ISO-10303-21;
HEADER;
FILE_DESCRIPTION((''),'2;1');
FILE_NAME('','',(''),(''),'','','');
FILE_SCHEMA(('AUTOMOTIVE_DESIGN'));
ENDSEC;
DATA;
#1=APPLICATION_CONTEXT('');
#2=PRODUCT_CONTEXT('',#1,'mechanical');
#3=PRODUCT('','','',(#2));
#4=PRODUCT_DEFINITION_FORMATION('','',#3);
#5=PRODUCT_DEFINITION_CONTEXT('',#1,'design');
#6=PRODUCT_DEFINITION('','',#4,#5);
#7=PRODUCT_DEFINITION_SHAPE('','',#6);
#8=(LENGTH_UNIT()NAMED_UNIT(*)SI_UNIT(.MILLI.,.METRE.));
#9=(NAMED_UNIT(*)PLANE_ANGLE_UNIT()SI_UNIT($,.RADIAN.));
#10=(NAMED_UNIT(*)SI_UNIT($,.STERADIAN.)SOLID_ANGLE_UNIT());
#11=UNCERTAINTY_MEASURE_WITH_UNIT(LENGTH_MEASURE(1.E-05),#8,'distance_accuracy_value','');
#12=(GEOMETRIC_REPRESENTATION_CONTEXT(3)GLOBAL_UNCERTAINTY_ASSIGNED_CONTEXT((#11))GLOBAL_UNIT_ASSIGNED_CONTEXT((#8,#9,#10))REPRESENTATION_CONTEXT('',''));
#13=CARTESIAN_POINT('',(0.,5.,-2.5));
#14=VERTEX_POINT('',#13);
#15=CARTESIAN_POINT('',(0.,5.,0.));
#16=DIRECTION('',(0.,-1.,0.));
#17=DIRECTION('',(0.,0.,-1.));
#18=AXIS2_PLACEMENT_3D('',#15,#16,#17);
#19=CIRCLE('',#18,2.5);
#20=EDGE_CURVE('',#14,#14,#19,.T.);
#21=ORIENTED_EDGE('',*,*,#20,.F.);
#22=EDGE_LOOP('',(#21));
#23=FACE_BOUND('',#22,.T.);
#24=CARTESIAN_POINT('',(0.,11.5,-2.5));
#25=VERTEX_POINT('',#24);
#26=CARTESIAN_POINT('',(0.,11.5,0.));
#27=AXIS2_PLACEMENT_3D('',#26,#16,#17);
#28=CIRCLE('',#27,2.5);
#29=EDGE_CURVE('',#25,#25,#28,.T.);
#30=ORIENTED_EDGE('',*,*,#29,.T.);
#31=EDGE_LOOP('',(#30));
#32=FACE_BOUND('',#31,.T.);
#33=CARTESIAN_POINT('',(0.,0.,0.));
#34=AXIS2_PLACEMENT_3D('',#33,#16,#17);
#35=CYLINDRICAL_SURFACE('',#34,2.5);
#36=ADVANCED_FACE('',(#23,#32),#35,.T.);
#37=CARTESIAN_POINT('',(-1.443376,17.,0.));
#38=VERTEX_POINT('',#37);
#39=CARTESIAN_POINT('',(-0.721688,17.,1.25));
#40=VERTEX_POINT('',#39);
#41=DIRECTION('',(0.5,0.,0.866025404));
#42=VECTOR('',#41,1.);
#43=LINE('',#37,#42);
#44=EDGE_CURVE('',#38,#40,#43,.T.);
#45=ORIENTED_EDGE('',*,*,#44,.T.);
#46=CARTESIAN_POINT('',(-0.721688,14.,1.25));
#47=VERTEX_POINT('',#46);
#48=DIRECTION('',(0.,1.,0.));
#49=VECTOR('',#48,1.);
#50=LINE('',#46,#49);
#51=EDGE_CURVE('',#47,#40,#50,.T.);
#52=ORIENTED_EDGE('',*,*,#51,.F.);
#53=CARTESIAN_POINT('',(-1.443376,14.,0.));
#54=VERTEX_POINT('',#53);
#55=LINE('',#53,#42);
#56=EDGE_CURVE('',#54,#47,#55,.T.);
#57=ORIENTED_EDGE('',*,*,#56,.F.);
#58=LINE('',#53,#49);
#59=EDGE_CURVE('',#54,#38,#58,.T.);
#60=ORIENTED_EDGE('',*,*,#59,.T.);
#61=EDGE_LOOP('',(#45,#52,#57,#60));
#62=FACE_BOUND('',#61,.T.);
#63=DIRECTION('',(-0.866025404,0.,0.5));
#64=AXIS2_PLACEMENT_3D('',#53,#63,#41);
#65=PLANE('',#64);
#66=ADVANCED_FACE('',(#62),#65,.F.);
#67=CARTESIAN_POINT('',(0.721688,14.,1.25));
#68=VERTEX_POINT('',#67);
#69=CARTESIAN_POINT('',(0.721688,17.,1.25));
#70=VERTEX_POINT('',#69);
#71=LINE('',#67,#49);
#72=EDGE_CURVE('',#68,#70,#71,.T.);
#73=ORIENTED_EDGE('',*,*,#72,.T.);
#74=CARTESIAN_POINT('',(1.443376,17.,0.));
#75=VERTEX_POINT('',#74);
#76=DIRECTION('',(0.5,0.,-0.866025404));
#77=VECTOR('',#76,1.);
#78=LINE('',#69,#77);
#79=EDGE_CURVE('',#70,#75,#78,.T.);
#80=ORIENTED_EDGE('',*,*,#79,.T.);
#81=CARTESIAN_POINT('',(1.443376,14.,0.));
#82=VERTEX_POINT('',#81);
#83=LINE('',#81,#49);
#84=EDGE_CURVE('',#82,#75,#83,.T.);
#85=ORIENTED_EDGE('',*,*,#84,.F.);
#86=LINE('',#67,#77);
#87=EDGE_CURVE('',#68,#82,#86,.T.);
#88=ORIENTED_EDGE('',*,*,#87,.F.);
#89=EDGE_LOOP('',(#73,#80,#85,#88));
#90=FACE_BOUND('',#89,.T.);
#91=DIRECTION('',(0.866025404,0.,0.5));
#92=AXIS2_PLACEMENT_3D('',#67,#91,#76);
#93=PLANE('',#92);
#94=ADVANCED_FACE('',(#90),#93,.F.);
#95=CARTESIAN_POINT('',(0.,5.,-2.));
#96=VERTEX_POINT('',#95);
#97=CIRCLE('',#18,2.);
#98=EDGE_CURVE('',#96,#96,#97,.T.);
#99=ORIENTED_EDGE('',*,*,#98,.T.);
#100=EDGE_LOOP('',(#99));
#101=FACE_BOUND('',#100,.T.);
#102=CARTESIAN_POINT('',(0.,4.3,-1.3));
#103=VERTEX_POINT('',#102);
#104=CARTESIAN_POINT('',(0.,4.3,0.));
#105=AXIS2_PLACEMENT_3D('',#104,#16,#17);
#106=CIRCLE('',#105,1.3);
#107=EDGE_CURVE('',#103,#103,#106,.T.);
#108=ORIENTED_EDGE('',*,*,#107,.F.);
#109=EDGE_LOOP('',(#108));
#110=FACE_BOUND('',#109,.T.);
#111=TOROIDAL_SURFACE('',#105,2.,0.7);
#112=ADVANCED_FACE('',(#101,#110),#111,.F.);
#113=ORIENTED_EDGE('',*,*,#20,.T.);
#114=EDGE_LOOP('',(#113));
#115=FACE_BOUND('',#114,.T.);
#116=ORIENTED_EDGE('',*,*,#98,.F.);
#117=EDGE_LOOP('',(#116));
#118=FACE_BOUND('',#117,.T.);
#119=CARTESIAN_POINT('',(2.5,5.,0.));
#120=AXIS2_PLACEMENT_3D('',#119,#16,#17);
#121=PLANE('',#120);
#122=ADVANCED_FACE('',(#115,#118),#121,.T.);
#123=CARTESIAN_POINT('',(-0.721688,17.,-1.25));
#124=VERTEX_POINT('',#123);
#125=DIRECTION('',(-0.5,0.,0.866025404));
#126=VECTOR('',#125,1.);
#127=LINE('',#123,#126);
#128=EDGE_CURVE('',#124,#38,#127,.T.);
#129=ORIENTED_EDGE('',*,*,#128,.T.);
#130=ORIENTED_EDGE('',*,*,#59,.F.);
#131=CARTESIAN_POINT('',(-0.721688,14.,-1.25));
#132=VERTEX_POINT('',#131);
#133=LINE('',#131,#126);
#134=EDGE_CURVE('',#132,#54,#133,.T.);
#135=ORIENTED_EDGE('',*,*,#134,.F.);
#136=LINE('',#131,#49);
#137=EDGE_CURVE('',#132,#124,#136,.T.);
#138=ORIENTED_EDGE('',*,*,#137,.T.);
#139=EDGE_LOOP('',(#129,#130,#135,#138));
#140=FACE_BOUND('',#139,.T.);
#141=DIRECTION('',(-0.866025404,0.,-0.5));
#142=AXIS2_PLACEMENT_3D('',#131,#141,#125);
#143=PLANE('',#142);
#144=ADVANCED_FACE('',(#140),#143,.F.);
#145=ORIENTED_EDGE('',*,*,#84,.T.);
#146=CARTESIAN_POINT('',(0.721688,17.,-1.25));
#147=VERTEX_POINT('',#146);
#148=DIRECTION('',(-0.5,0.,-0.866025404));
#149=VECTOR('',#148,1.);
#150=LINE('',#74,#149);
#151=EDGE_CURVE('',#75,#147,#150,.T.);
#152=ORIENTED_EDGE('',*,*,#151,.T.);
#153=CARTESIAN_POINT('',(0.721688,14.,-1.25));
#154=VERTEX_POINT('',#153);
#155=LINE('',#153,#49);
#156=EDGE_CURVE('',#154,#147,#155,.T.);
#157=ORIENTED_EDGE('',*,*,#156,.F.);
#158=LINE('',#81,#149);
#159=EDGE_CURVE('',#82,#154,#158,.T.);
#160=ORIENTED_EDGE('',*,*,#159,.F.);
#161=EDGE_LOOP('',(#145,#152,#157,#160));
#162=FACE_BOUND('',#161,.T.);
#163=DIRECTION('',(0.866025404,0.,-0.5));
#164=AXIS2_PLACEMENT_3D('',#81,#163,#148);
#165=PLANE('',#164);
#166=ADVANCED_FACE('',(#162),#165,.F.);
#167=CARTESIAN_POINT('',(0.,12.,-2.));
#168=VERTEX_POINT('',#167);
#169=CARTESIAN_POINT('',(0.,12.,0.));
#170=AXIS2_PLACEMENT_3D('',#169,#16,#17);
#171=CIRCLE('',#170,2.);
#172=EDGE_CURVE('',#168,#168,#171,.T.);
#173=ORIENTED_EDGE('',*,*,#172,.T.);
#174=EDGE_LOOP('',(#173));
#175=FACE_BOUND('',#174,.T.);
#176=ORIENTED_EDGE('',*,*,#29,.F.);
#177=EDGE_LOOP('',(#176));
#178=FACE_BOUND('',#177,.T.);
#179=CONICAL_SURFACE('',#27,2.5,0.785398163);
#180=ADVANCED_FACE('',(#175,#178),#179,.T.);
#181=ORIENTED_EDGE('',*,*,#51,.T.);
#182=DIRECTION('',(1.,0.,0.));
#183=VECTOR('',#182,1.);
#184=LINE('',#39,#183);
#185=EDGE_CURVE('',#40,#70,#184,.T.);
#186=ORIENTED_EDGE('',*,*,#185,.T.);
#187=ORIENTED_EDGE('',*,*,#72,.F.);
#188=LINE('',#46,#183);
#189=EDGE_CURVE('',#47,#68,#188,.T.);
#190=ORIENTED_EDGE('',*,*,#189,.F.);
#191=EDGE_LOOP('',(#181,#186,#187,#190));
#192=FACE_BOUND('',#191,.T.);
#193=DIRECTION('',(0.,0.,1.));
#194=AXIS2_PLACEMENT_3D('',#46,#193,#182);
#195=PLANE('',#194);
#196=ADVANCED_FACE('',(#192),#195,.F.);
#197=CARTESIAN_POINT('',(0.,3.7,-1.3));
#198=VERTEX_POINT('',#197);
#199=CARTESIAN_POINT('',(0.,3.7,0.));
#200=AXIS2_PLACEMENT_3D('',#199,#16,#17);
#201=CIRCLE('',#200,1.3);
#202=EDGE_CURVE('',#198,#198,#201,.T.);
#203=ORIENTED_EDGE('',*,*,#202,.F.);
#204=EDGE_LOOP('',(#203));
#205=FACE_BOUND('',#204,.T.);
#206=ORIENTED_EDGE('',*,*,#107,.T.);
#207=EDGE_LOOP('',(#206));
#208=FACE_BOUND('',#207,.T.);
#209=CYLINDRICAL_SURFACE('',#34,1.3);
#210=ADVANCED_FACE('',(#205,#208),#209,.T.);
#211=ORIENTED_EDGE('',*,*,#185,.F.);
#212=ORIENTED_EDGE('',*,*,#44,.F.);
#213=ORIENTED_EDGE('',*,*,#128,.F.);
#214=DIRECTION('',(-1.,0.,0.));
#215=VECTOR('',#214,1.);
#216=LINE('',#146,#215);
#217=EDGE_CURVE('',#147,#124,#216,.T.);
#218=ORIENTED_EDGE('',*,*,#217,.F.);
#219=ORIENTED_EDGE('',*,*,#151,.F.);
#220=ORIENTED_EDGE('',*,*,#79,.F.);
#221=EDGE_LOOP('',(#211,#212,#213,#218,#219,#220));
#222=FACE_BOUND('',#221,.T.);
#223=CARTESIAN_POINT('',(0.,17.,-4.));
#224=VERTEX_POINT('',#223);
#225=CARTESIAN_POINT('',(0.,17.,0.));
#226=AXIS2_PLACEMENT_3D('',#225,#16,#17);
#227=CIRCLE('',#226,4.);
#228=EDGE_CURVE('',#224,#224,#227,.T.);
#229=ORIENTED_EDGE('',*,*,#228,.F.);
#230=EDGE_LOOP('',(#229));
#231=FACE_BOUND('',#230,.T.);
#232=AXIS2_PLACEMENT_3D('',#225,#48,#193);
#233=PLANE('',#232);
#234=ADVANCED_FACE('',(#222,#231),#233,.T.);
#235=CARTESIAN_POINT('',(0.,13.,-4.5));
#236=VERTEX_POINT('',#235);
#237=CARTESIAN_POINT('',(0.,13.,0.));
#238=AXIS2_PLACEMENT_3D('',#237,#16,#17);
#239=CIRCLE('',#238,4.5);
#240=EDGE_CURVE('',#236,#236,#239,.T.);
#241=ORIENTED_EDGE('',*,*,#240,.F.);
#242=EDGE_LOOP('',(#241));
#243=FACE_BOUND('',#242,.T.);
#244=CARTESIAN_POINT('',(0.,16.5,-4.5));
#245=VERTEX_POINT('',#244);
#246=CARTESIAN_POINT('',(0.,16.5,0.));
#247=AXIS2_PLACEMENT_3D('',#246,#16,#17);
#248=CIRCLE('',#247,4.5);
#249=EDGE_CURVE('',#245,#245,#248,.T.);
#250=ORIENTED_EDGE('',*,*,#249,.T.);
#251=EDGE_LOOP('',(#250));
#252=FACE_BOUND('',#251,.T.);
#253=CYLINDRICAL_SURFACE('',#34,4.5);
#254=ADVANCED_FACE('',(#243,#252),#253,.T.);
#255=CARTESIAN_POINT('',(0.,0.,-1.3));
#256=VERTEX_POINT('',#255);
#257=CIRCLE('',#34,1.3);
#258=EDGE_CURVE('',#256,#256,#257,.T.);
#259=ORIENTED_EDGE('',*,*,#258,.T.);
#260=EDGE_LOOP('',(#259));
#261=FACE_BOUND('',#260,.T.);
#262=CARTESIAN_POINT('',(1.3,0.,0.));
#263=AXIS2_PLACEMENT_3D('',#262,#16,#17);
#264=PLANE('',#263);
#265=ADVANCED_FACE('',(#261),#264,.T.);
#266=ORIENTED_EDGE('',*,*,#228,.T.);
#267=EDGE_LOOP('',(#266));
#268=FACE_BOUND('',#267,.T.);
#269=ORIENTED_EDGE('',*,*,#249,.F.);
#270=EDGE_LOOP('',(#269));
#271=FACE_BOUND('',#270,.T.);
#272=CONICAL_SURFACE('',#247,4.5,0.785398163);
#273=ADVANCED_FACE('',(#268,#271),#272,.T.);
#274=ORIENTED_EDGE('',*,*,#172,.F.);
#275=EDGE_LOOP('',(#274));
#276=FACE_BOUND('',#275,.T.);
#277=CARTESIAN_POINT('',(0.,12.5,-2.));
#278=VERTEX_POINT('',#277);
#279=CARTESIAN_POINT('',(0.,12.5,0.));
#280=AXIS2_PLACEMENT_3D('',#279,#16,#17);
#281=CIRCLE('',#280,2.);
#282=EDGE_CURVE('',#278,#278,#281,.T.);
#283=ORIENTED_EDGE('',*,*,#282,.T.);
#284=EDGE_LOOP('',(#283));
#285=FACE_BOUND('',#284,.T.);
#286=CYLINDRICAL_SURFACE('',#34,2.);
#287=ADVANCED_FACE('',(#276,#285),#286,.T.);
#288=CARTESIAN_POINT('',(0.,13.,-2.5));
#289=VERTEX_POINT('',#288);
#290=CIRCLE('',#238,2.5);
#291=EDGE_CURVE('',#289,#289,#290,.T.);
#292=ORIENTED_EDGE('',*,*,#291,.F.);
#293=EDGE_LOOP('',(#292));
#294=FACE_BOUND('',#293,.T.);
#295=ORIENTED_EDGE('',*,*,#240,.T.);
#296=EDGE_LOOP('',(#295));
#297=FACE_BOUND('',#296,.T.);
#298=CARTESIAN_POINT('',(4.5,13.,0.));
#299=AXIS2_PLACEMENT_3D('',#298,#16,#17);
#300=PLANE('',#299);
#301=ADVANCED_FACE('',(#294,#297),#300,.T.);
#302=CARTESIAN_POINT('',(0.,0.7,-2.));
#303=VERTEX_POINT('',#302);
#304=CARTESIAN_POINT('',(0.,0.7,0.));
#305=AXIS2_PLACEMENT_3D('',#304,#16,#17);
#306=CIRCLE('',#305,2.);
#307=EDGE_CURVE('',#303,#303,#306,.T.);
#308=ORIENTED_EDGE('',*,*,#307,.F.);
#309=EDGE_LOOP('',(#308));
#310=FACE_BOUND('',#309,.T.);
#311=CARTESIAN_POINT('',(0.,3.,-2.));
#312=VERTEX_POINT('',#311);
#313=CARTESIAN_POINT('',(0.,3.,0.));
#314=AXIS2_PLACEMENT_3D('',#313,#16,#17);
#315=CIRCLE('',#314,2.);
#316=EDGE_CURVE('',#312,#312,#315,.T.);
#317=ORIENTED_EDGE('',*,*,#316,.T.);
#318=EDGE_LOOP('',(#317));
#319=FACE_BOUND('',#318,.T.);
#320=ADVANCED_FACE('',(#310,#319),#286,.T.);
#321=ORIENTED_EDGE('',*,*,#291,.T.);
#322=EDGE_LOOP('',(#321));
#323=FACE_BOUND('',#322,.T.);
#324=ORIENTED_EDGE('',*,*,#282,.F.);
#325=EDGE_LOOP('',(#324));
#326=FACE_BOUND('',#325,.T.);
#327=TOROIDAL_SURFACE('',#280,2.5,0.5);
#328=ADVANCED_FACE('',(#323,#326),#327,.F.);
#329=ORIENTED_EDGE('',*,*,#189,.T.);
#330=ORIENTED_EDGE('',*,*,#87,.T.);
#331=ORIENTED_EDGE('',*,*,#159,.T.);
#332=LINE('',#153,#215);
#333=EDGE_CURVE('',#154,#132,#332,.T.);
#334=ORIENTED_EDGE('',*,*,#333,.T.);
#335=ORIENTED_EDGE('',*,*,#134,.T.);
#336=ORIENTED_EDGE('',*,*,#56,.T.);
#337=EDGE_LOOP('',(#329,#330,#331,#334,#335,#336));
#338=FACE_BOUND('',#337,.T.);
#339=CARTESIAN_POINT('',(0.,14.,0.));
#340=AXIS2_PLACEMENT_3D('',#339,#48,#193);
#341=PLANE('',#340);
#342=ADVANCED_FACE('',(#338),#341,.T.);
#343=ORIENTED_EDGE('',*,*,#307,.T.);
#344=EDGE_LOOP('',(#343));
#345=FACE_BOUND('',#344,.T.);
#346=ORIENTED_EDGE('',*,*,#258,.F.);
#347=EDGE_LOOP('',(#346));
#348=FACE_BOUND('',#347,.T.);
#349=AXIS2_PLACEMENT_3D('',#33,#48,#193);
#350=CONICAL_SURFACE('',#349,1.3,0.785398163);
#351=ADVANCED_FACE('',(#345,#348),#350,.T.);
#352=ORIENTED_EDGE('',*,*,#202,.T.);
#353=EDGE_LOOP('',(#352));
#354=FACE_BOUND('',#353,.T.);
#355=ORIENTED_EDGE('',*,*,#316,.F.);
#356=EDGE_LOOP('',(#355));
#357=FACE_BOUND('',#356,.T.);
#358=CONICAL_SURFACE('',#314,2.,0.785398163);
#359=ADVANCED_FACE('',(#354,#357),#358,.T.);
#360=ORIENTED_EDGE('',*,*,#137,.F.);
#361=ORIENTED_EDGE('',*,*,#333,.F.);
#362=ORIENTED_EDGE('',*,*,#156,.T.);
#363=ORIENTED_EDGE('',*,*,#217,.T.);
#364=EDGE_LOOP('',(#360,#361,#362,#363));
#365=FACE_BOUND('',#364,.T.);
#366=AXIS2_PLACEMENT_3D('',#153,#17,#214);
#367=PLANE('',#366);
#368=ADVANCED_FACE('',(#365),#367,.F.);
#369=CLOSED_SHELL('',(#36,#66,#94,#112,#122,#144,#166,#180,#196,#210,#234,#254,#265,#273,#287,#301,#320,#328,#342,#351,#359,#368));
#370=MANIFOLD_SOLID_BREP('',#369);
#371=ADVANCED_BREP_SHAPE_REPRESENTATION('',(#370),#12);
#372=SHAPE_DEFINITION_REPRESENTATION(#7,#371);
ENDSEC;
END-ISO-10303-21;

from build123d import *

# Parameters (mm, degrees)
CUT_EXTRUDE1_DEPTH = 3


with BuildPart() as part:
    # Sketch1 → Revolve1 (revolve)
    with BuildSketch(Plane.XY):
        with BuildLine():
            Line((0, 0), (0, 17))
            Line((0, 17), (4, 17))
            Line((4, 17), (4.5, 16.5))
            Line((4.5, 16.5), (4.5, 13))
            Line((4.5, 13), (2.5, 13))
            ThreePointArc((2.5, 13), (2.146446609, 12.853553391), (2, 12.5))
            Line((2, 12.5), (2, 12))
            Line((2, 12), (2.5, 11.5))
            Line((2.5, 11.5), (2.5, 5))
            Line((2.5, 5), (2, 5))
            ThreePointArc((2, 5), (1.505025253, 4.794974747), (1.3, 4.3))
            Line((1.3, 4.3), (1.3, 3.7))
            Line((1.3, 3.7), (2, 3))
            Line((2, 3), (2, 0.7))
            Line((2, 0.7), (1.3, 0))
            Line((1.3, 0), (0, 0))
        make_face()
    revolve(axis=Axis((0, 0, 0), (0, 1, 0)))

    # Sketch2 → Cut-Extrude1 (cut)
    with BuildSketch(Plane(origin=(0, 17, 0), x_dir=(1, 0, 0), z_dir=(0, 1, 0))):
        Polygon((0.721687836, 1.25), (-0.721687836, 1.25), (-1.443375673, 0), (-0.721687836, -1.25), (0.721687836, -1.25), (1.443375673, 0), align=None)
    extrude(amount=-CUT_EXTRUDE1_DEPTH, mode=Mode.SUBTRACT)


solid = part.part
